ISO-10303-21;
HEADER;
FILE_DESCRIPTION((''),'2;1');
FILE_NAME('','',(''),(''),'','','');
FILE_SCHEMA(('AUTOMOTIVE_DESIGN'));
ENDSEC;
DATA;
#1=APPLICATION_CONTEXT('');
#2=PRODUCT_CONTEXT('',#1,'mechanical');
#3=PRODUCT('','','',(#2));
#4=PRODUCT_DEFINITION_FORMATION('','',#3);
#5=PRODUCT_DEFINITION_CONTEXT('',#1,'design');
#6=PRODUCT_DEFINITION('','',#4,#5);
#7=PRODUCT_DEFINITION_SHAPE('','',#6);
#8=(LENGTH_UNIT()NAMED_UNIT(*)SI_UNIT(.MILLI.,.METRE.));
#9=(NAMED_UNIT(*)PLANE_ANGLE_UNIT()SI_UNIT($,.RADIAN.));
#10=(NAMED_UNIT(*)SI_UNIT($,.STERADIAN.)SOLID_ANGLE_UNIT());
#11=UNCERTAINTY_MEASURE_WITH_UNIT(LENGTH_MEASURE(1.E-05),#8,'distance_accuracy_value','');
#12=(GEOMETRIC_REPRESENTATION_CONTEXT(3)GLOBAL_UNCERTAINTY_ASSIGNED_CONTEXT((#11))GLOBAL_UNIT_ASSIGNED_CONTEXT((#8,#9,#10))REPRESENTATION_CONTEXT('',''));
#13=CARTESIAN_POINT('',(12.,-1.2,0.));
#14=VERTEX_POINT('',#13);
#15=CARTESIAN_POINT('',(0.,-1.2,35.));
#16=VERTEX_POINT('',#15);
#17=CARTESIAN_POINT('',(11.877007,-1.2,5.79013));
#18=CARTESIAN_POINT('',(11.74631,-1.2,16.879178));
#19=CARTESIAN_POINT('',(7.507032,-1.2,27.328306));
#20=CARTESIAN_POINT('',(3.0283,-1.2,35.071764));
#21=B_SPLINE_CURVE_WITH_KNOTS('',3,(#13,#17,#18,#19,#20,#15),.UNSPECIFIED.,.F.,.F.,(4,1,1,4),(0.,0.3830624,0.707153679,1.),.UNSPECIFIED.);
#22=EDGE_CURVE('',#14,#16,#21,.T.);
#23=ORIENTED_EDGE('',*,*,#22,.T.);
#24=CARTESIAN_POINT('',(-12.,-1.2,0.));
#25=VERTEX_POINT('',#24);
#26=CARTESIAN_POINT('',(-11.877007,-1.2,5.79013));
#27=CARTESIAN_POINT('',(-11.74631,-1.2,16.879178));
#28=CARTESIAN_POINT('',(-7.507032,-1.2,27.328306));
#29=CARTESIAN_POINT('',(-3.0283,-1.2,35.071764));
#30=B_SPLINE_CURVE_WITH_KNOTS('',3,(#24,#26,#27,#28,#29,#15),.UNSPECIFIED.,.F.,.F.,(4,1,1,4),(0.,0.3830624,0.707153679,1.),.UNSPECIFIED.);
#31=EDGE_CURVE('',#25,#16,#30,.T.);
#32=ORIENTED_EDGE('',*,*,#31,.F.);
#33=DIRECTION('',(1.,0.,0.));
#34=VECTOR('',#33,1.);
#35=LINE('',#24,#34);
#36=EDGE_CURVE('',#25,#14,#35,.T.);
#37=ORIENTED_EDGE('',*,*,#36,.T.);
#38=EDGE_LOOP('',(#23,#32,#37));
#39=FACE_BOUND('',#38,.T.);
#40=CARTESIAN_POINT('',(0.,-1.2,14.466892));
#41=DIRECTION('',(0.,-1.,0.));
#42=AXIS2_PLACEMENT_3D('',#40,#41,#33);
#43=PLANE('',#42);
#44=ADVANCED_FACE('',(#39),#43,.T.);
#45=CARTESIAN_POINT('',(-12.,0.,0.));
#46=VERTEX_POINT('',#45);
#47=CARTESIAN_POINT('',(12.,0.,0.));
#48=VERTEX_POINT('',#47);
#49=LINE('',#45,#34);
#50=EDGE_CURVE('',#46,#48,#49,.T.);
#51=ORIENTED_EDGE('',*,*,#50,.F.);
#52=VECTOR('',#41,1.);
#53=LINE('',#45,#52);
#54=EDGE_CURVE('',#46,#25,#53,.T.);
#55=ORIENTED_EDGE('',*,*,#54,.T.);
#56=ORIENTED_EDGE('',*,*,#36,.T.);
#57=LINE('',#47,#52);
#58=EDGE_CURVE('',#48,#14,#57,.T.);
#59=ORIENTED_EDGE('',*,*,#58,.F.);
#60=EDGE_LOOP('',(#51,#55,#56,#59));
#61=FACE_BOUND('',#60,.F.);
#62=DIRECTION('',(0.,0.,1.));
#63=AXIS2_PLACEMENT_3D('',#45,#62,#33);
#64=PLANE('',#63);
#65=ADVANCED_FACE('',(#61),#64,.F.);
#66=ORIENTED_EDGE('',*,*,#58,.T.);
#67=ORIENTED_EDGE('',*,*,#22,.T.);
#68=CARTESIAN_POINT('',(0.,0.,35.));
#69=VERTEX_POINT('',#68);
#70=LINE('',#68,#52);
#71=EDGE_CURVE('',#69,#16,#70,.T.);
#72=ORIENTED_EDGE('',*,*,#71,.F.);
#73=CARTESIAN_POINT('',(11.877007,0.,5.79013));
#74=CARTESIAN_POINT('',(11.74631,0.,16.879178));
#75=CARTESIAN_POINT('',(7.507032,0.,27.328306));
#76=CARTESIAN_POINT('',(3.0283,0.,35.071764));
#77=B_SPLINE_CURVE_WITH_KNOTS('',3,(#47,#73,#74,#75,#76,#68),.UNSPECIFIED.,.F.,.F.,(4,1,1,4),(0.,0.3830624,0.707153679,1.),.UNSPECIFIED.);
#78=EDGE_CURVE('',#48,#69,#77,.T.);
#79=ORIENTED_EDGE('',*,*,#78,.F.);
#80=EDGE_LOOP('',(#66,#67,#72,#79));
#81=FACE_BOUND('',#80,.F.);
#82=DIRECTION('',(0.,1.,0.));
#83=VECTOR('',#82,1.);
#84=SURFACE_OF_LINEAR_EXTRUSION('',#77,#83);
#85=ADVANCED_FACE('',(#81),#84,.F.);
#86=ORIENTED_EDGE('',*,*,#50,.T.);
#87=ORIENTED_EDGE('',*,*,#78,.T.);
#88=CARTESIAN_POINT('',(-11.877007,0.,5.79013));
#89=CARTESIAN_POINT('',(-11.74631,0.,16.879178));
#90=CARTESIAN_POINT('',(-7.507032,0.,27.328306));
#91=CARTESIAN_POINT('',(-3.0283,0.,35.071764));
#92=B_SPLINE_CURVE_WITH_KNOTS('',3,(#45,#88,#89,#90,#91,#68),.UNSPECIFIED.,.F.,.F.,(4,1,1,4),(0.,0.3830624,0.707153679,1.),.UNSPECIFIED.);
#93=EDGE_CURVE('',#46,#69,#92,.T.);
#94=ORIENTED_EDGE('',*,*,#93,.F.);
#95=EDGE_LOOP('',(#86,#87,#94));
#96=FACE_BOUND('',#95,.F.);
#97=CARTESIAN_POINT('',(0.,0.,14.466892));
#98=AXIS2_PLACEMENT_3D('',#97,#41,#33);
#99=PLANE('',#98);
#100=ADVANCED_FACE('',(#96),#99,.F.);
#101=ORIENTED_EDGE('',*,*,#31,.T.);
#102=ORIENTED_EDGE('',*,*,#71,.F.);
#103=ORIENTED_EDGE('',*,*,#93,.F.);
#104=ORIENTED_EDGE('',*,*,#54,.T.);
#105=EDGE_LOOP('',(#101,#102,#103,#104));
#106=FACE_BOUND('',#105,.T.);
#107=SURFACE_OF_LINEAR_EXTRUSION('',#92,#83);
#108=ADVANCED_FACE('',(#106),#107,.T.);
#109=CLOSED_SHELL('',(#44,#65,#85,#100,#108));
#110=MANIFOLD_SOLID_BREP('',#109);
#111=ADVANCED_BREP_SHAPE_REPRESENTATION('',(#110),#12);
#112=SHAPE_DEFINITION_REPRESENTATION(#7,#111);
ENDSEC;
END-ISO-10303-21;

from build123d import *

# Parameters (mm, degrees)
F1_DEPTH = 1.2


with BuildPart() as f1:
    # F0 (on Front) → F1 (new body)
    with BuildSketch(Plane.XZ):
        with BuildLine():
            Line((-12, 0), (12, 0))
            add(Edge.make_bspline(
                [(12, 0), (11.8770069304, 5.7901298018), (11.7463103186, 16.8791776071), (7.5070317864, 27.3283064661), (3.028300358, 35.0717641413), (0, 35)],
                knots=[0, 0, 0, 0, 0.3830624004, 0.7071536795, 1, 1, 1, 1], degree=3))
            add(Edge.make_bspline(
                [(-12, 0), (-11.8770069304, 5.7901298018), (-11.7463103186, 16.8791776071), (-7.5070317864, 27.3283064661), (-3.028300358, 35.0717641413), (0, 35)],
                knots=[0, 0, 0, 0, 0.3830624004, 0.7071536795, 1, 1, 1, 1], degree=3))
        make_face()
    extrude(amount=F1_DEPTH)


solid = f1.part
